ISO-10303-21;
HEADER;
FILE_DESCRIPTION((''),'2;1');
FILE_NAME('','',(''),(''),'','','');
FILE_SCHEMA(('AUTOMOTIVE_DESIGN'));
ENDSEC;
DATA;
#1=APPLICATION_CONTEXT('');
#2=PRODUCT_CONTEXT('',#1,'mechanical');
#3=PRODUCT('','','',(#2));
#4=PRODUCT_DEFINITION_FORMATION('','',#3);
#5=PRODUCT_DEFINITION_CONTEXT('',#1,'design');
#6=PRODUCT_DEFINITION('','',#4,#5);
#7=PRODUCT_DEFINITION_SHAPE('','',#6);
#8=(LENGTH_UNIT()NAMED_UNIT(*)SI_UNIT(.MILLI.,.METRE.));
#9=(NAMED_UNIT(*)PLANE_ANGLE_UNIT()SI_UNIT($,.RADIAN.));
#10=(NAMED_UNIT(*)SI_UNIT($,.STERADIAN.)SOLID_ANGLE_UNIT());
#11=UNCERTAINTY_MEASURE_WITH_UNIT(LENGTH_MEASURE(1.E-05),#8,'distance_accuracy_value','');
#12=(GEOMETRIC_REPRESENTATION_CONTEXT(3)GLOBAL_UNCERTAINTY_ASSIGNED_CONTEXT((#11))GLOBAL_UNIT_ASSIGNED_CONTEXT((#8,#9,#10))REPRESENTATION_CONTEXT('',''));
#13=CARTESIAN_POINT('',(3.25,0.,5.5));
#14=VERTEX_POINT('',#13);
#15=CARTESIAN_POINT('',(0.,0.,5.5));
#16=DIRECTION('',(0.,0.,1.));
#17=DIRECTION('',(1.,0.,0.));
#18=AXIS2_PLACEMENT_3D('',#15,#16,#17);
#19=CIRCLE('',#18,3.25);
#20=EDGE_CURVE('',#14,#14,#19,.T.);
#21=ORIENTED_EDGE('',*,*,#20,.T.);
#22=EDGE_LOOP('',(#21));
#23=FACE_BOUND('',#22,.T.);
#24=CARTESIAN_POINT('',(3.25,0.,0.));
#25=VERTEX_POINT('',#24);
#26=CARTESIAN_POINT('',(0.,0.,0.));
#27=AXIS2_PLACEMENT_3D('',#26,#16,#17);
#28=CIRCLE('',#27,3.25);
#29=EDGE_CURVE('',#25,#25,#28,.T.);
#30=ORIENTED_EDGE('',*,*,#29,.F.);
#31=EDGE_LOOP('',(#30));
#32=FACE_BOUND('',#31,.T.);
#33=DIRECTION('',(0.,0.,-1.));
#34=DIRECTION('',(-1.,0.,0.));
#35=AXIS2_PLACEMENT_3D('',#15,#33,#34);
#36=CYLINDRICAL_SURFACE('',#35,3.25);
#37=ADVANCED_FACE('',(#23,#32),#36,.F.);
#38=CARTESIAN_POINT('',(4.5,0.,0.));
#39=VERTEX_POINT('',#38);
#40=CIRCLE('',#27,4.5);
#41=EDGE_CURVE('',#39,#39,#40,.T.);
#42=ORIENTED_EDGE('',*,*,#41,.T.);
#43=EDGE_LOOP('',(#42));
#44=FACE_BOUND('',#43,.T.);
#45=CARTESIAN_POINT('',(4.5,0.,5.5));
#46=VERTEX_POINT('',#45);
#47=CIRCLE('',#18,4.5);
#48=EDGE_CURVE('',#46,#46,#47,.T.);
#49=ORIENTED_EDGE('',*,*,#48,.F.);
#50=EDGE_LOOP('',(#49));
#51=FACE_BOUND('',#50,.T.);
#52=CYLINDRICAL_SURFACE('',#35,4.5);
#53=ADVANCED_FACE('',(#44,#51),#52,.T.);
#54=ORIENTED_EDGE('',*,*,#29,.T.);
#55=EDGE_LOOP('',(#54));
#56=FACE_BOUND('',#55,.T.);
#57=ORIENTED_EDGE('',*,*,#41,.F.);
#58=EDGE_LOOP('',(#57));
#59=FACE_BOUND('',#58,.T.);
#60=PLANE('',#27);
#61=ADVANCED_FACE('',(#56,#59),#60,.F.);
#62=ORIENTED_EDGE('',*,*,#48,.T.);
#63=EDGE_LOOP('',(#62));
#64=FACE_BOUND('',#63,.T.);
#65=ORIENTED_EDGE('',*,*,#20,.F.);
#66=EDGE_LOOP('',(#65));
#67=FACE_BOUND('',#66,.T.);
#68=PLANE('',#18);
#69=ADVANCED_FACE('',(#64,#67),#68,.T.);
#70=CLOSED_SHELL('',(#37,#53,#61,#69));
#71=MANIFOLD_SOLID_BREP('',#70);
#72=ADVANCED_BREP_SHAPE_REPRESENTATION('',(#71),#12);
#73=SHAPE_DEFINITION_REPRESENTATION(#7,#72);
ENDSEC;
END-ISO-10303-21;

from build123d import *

# Parameters (mm, degrees)
SKETCH_1_R      = 4.5
SKETCH_1_R_2    = 3.25
EXTRUDE_1_DEPTH = 5.5


with BuildPart() as part:
    # ｽｹｯﾁ1 → ﾎﾞｽ - 押し出し1 (new body)
    with BuildSketch(Plane.XY):
        Circle(SKETCH_1_R)
        Circle(SKETCH_1_R_2, mode=Mode.SUBTRACT)
    extrude(amount=EXTRUDE_1_DEPTH)


solid = part.part
